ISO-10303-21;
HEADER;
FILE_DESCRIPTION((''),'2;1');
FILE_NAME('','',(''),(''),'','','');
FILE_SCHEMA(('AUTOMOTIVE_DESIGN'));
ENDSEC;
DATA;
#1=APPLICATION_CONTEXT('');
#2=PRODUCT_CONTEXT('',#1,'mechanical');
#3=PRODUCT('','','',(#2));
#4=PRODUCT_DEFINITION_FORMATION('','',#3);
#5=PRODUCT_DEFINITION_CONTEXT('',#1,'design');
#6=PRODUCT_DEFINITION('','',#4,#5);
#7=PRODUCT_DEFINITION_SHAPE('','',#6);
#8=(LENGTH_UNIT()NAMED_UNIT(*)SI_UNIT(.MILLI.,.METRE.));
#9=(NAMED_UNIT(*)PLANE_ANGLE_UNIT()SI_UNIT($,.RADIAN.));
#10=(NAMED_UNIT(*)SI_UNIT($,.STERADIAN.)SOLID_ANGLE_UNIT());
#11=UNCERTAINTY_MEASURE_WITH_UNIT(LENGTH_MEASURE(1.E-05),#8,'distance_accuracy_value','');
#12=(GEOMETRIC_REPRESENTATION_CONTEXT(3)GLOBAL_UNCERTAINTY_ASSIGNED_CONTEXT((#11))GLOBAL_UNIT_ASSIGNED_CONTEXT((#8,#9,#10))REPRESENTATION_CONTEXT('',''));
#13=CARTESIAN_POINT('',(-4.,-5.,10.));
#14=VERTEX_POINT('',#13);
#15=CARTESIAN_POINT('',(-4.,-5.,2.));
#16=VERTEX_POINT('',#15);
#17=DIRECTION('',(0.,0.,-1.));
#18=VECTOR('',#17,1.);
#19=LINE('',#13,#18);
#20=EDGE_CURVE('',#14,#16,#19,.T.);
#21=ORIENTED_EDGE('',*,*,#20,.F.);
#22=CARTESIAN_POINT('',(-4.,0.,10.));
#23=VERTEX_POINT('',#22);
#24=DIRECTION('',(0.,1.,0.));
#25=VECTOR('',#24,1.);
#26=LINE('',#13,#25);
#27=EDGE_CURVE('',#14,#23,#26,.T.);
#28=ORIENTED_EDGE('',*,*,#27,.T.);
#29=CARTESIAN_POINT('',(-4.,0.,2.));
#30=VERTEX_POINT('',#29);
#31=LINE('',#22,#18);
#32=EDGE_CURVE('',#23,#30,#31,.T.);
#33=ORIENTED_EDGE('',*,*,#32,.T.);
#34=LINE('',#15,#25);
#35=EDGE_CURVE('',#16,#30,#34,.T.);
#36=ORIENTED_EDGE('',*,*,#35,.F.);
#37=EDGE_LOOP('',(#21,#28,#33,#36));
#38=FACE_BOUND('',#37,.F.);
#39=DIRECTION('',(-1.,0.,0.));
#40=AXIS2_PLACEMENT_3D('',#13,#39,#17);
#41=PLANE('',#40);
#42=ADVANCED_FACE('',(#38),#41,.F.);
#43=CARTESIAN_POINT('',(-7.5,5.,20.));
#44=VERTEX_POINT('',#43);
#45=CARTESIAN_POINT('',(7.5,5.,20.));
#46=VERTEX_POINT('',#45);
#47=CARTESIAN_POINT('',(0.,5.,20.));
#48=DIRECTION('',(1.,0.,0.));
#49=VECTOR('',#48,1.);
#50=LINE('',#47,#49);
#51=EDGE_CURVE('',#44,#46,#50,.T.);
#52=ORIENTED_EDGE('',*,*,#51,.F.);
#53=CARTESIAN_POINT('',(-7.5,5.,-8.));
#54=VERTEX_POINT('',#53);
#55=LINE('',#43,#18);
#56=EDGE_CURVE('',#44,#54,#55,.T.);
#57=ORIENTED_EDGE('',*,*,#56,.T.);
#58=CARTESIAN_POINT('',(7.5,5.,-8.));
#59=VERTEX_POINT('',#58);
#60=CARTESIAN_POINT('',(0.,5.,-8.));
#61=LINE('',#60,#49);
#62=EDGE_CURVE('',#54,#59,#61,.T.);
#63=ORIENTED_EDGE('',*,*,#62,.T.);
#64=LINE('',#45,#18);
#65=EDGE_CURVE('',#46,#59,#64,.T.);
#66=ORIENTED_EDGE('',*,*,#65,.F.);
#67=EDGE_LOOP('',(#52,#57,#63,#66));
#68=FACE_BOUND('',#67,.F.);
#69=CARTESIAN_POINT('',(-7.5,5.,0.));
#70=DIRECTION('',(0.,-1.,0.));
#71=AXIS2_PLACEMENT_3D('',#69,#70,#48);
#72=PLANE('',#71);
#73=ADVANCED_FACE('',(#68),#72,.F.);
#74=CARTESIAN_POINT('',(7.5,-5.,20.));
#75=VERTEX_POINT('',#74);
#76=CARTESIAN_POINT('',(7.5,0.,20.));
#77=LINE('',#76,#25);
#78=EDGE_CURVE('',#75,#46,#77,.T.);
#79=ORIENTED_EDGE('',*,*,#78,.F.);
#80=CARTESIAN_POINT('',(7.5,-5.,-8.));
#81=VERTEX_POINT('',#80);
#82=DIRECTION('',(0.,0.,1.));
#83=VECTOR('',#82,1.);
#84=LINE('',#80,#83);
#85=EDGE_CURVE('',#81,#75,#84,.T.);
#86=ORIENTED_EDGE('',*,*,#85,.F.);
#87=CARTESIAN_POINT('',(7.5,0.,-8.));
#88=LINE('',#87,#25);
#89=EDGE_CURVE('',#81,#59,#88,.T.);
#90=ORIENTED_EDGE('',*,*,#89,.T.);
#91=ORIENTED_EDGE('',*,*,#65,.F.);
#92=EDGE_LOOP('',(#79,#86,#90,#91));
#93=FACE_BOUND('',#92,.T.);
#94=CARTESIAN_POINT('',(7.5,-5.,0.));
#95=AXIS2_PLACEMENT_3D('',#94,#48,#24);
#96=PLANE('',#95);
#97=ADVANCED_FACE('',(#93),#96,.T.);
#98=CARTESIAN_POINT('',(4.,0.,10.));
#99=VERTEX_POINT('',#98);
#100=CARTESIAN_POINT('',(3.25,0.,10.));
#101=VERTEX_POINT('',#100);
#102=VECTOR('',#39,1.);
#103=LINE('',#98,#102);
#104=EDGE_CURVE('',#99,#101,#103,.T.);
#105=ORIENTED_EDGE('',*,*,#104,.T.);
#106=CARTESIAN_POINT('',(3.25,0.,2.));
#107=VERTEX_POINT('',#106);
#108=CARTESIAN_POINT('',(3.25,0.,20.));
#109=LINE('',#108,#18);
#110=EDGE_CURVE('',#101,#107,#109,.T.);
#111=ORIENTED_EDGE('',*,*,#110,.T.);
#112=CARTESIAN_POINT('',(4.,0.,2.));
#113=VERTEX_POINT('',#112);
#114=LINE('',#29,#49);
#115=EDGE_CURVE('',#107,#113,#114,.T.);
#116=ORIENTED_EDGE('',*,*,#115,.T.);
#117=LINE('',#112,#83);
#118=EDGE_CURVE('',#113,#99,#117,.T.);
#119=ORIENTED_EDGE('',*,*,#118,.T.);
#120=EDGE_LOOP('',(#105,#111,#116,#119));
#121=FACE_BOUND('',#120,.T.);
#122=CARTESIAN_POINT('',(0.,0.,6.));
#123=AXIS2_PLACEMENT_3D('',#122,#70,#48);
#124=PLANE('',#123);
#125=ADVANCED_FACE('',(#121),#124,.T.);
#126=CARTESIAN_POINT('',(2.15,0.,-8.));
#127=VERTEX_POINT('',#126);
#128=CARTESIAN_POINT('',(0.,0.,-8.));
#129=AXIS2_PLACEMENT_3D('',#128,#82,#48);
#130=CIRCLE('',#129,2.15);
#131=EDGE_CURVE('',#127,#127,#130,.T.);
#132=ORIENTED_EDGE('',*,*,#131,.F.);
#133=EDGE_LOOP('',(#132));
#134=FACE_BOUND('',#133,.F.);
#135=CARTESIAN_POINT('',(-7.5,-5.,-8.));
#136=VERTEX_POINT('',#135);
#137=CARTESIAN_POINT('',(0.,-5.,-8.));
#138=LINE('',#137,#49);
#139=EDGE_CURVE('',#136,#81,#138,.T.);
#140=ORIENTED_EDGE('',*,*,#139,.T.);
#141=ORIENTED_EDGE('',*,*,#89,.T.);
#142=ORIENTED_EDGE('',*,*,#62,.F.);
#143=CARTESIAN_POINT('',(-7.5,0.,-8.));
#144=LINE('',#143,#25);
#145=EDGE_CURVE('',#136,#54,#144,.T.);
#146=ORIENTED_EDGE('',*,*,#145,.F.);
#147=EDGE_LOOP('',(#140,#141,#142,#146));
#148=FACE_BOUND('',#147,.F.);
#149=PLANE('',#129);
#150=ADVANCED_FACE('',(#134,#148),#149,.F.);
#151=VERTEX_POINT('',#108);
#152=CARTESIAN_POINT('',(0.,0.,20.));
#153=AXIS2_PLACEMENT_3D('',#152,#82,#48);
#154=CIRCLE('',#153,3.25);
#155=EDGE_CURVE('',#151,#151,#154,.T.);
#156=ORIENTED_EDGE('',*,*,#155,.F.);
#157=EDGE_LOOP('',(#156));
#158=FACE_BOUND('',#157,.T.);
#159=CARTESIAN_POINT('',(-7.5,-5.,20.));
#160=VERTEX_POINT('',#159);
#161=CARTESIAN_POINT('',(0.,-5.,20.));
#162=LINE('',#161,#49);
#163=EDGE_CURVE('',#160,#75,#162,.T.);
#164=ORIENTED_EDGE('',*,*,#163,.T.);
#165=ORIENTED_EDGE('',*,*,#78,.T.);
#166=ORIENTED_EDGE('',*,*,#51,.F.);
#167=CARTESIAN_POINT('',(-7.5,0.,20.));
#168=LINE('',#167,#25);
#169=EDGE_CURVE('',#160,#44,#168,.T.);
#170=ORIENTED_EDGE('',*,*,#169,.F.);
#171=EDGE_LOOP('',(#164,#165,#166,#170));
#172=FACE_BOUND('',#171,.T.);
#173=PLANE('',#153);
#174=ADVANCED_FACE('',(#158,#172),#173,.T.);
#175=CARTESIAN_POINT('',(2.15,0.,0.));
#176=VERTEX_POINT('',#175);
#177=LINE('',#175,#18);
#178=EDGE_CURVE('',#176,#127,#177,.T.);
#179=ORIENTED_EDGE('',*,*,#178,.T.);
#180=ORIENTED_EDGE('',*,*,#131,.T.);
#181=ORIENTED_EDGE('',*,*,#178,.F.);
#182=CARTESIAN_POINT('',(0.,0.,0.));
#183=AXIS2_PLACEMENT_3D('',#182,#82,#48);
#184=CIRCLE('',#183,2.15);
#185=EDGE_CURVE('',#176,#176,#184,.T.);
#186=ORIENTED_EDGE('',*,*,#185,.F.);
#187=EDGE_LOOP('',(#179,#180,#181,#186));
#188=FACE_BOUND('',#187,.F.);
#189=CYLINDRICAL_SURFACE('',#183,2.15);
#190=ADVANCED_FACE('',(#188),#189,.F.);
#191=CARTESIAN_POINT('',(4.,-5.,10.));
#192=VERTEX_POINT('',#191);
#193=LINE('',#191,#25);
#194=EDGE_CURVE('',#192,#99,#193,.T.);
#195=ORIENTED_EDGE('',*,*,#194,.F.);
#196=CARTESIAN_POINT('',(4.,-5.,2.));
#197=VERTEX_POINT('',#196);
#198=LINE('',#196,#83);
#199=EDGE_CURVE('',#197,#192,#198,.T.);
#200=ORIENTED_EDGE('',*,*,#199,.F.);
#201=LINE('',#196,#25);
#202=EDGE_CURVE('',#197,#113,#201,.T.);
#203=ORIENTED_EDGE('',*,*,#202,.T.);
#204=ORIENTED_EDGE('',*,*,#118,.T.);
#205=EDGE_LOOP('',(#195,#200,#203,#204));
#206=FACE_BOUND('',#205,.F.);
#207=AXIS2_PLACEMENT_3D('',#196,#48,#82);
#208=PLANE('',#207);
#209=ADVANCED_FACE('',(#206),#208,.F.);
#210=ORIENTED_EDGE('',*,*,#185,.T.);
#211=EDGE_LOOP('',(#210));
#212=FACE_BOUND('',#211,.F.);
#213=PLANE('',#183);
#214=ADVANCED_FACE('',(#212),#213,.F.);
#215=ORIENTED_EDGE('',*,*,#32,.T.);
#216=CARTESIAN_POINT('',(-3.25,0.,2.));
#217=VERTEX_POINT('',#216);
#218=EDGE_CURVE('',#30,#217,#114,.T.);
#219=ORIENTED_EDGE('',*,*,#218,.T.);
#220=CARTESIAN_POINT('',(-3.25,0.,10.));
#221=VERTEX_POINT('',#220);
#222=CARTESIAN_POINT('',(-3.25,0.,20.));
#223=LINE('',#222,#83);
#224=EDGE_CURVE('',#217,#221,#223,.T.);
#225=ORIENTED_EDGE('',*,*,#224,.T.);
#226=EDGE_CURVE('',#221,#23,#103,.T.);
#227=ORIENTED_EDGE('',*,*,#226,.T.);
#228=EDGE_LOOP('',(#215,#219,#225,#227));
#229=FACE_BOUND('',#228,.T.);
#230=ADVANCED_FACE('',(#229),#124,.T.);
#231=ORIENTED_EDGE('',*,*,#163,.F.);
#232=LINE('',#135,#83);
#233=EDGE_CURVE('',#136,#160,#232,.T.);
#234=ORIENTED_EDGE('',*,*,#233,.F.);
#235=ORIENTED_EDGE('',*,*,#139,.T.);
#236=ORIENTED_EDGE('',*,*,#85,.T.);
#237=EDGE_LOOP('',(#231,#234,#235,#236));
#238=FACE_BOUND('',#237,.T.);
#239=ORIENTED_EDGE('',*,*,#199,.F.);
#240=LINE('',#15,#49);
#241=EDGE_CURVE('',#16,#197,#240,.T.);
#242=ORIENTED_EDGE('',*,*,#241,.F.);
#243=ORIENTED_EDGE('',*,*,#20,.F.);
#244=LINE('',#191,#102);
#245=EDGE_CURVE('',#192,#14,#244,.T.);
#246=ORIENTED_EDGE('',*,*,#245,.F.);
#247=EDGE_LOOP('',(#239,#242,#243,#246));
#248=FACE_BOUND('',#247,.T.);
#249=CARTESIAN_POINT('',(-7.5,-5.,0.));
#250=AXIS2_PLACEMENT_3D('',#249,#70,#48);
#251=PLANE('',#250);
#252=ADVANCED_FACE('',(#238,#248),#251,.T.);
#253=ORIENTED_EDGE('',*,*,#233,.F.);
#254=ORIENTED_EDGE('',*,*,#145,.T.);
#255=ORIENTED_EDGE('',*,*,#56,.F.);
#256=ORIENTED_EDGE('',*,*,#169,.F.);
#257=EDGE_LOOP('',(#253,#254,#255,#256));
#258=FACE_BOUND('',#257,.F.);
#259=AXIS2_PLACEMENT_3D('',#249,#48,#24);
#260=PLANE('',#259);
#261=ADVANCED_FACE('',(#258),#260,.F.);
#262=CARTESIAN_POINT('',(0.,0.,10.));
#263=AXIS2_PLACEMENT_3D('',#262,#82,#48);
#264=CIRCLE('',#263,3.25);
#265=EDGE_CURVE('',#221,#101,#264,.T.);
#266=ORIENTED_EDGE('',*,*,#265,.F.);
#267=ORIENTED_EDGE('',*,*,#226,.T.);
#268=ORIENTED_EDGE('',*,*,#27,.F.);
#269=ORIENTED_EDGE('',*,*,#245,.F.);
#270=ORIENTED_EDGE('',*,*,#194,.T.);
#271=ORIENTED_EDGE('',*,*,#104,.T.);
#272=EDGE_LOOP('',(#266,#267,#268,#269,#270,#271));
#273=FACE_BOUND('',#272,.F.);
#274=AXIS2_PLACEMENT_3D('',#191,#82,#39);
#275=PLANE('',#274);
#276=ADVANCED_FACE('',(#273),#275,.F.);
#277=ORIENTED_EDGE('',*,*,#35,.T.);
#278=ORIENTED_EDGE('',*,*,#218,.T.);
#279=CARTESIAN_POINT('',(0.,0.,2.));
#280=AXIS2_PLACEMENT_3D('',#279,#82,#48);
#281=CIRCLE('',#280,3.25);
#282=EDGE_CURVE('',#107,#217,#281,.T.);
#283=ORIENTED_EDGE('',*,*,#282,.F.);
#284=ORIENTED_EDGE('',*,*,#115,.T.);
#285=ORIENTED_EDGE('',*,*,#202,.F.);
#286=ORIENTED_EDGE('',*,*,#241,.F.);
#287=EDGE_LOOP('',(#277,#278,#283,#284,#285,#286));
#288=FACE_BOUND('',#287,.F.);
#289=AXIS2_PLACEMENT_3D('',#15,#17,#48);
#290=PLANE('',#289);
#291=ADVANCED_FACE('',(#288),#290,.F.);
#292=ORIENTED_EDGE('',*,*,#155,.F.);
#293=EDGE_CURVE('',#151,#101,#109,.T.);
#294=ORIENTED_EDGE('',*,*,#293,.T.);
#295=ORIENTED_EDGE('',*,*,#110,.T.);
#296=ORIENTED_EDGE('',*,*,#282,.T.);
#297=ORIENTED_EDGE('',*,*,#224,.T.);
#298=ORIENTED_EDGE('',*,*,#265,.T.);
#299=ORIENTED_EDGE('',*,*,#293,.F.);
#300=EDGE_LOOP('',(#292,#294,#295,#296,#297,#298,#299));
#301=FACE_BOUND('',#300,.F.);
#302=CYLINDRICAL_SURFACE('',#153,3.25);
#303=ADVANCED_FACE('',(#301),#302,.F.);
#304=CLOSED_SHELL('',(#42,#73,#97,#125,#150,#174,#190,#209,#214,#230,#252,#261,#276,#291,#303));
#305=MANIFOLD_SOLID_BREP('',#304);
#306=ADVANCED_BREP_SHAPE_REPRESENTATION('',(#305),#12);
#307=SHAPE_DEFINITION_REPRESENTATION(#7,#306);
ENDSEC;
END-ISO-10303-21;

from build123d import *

# Parameters (mm, degrees)
F0_R     = 3
F0_R_2   = 2.15
F1_DEPTH = 8
F2_W     = 15
F2_H     = 10
F3_DEPTH = 20
F4_R     = 3.25
F6_DEPTH = 18
F7_DEPTH = 5
F8_DEPTH = 8


with BuildPart() as f1:
    # F0 (on Top) → F1 (new body)
    with BuildSketch(Plane.XY):
        Circle(F0_R)
        Circle(F0_R_2, mode=Mode.SUBTRACT)
    extrude(amount=-F1_DEPTH)

    # F2 (on face) → F3 (join)
    with BuildSketch(Plane.XY):
        Rectangle(F2_W, F2_H)
    extrude(amount=F3_DEPTH)

    # F4 (on face) → F6 (cut)
    with BuildSketch(Plane.XY.offset(20)):
        Circle(F4_R)
    extrude(amount=-F6_DEPTH, mode=Mode.SUBTRACT)

    # F5 (on face) → F7 (cut)
    with BuildSketch(Plane.XZ.offset(5)):
        Polygon((-4, 2), (0, 2), (4, 2), (4, 10), (0, 10), (-4, 10), align=None)
    extrude(amount=-F7_DEPTH, mode=Mode.SUBTRACT)

    # F8 (add): a face of the model
    f8_faces = [f1.faces().sort_by_distance(p)[0] for p in [
        (7.3197224362, 0, 0),
    ]]
    extrude(f8_faces, amount=F8_DEPTH)


solid = f1.part
